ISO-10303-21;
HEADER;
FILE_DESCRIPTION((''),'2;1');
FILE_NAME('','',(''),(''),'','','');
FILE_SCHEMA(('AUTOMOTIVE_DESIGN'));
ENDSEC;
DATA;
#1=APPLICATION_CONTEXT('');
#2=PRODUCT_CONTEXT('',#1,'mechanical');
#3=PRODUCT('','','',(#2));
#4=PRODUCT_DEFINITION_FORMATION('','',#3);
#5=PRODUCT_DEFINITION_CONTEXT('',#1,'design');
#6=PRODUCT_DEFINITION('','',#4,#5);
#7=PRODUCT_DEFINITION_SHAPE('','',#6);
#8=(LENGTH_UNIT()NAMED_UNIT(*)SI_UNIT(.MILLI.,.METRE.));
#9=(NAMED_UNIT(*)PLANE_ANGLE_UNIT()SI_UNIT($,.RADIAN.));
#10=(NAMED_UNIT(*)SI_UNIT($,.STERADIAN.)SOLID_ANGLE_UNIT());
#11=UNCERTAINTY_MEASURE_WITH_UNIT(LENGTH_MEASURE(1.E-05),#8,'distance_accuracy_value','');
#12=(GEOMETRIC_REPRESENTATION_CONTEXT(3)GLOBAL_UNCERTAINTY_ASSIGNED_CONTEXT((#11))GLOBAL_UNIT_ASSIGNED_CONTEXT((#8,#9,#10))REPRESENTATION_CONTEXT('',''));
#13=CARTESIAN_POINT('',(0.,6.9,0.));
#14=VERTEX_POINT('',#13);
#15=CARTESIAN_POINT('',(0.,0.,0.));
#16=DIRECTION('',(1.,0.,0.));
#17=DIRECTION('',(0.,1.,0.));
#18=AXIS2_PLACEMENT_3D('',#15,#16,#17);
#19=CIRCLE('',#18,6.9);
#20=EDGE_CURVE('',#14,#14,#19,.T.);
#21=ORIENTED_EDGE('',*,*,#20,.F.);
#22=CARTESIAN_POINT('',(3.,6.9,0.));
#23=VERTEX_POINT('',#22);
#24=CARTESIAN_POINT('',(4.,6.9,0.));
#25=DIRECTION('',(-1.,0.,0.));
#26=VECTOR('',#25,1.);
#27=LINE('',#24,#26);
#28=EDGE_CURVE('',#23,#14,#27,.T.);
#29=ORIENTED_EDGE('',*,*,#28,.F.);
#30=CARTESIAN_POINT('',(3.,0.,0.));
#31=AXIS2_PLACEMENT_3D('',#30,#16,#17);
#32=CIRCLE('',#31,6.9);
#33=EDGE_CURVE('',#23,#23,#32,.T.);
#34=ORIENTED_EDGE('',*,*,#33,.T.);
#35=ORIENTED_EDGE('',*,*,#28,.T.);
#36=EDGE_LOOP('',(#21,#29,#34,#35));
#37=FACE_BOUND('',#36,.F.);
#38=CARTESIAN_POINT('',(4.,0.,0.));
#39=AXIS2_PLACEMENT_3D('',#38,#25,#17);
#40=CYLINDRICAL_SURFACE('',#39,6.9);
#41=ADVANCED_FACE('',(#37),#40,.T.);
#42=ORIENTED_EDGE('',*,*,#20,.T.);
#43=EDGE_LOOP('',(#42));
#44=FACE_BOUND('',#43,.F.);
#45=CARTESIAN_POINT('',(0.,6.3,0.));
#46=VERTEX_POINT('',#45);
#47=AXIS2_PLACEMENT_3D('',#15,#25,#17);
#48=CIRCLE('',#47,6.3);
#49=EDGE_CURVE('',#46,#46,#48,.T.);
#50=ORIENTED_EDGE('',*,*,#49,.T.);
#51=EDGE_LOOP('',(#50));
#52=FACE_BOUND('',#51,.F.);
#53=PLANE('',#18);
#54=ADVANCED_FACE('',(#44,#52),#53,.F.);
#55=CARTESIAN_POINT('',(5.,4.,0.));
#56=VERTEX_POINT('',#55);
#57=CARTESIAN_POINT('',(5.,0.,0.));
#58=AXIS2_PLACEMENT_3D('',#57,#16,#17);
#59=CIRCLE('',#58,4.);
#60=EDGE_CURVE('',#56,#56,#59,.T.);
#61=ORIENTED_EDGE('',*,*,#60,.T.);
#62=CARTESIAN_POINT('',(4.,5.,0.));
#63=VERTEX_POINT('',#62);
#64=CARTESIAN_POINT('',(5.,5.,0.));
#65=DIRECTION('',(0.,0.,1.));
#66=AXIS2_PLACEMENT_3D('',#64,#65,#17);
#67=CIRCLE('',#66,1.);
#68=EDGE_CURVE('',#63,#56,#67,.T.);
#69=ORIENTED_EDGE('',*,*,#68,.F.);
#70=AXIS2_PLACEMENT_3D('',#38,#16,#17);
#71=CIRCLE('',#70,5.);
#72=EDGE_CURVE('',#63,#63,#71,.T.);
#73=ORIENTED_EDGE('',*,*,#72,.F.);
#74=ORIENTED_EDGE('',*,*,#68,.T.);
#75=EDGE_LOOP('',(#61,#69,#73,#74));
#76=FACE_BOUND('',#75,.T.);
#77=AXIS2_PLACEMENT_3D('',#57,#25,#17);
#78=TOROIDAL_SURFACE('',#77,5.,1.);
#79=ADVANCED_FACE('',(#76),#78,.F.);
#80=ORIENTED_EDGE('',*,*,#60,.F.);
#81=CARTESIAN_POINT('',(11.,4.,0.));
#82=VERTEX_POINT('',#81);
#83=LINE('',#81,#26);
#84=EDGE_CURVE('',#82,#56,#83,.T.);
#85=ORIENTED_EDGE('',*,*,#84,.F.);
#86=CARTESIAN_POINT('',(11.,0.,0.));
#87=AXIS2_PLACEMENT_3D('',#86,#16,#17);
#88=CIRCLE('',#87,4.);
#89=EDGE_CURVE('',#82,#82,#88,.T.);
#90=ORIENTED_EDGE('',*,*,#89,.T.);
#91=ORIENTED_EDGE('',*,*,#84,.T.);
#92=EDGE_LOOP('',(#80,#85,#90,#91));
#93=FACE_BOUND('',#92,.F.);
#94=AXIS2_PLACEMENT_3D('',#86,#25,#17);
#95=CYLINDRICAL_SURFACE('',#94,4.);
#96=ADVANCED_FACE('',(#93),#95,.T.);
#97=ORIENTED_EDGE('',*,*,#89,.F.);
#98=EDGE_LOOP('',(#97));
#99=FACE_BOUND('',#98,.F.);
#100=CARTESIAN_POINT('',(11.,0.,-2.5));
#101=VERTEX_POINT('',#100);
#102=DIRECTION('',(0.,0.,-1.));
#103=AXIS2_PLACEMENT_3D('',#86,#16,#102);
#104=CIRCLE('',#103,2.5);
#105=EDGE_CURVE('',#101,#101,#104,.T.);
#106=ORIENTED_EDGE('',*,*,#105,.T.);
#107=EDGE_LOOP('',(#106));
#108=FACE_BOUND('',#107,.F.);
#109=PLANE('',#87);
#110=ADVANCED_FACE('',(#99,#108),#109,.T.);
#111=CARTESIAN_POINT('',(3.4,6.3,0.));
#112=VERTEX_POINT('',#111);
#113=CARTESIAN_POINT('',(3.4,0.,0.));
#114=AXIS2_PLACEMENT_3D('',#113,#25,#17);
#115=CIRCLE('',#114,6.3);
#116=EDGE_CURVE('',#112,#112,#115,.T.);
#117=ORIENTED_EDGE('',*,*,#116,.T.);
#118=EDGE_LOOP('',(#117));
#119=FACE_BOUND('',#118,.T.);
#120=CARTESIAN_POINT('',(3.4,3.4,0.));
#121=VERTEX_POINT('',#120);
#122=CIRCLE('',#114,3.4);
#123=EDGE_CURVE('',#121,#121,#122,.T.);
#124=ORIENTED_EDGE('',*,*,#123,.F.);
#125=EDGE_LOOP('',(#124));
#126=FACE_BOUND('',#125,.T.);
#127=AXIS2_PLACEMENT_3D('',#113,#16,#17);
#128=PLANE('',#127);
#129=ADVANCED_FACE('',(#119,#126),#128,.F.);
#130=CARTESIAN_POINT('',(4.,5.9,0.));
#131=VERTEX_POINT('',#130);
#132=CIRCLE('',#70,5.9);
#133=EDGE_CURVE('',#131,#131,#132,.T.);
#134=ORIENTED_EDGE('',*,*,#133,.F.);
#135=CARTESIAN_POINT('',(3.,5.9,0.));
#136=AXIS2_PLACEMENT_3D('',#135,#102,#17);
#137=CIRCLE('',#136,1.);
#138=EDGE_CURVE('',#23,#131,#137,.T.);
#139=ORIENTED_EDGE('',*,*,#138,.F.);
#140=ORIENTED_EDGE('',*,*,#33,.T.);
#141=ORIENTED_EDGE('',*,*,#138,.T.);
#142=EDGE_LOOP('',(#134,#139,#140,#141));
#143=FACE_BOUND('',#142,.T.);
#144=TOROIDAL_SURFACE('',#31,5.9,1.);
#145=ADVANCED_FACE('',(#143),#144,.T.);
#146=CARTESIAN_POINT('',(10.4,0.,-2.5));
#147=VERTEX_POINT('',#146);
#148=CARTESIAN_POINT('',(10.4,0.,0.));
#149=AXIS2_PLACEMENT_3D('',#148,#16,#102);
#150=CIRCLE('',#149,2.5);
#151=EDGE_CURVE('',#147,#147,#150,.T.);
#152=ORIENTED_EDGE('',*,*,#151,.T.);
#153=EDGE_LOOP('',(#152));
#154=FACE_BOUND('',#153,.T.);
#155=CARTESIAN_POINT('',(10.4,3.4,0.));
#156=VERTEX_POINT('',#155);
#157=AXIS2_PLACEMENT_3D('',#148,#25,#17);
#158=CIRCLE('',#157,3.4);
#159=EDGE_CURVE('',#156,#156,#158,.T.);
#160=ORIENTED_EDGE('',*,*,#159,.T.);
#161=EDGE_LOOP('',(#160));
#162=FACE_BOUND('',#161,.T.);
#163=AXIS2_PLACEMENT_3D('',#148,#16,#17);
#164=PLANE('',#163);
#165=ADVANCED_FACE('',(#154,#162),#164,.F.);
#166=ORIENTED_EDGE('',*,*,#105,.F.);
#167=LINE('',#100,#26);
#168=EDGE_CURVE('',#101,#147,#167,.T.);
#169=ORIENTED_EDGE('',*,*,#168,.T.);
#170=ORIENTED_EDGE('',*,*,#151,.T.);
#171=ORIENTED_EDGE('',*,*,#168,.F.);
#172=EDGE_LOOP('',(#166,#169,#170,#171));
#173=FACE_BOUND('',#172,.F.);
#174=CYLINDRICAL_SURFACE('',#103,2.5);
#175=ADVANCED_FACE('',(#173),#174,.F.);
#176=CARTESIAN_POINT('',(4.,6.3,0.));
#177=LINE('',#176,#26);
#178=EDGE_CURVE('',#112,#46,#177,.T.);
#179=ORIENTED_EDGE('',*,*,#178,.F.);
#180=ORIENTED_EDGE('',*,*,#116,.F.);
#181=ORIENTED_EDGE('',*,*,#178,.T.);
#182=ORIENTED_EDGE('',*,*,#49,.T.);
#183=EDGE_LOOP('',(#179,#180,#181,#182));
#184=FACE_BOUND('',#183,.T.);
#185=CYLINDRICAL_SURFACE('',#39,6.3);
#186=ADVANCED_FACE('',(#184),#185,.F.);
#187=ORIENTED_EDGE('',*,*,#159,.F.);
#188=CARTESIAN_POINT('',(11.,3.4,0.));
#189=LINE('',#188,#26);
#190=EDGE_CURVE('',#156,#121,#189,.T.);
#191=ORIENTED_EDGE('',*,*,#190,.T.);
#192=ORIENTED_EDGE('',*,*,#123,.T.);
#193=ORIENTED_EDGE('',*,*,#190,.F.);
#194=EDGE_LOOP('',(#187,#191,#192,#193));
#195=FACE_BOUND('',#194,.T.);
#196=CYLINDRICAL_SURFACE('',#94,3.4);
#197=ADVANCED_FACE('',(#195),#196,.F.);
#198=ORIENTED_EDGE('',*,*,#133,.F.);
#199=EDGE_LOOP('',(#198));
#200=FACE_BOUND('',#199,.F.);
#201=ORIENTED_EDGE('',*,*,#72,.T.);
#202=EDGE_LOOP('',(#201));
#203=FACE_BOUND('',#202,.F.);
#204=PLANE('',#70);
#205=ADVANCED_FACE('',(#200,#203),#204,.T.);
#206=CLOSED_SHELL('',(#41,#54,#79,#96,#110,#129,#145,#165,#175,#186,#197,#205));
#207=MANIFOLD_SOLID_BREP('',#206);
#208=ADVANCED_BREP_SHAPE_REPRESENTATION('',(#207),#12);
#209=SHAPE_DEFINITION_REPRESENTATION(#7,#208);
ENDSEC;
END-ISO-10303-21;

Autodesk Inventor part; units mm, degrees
ref_plane "YZ Plane" through (0, 0, 0) normal (1, 0, 0) x (0, 1, 0)
ref_plane "XZ Plane" through (0, 0, 0) normal (0, 1, 0) x (-1, 0, 0)
ref_plane "XY Plane" through (0, 0, 0) normal (0, 0, 1) x (1, 0, 0)
sketch "スケッチ1" plane through (0, 0, 0) normal (0, 0, 1) x (1, 0, 0)
  line L0 (0, 0) -> (11, 0)
  line L1 (11, 0) -> (11, 4)
  line L2 (11, 4) -> (4, 4)
  line L3 (4, 4) -> (4, 6.9)
  line L4 (4, 6.9) -> (0, 6.9)
  line L5 (0, 6.9) -> (0, 0)
  dimension "d9" = 8
  dimension "d10" = 13.8
  dimension "d11" = 4
  dimension "d12" = 7
revolve "回転1" add sketch "スケッチ1" angle 360 about axis through (0, 0, 0) along (1, 0, 0)
shell "Shell1" thickness 0.6 removed faces 1 at (0, 1.1832, -1.6579)
sketch "Sketch2" plane through (11, 0, 0) normal (1, 0, 0) x (0, 0, -1)
  circle A0 centre (0, 0) radius 2.5
  dimension "d14" = 5
extrude "Extrusion1" cut sketch "Sketch2" against normal blind 11
fillet "Fillet1" radius 1 2 edges at (4, -6.9, 0) (4, -4, 0)
properties material "Stainless Steel"
